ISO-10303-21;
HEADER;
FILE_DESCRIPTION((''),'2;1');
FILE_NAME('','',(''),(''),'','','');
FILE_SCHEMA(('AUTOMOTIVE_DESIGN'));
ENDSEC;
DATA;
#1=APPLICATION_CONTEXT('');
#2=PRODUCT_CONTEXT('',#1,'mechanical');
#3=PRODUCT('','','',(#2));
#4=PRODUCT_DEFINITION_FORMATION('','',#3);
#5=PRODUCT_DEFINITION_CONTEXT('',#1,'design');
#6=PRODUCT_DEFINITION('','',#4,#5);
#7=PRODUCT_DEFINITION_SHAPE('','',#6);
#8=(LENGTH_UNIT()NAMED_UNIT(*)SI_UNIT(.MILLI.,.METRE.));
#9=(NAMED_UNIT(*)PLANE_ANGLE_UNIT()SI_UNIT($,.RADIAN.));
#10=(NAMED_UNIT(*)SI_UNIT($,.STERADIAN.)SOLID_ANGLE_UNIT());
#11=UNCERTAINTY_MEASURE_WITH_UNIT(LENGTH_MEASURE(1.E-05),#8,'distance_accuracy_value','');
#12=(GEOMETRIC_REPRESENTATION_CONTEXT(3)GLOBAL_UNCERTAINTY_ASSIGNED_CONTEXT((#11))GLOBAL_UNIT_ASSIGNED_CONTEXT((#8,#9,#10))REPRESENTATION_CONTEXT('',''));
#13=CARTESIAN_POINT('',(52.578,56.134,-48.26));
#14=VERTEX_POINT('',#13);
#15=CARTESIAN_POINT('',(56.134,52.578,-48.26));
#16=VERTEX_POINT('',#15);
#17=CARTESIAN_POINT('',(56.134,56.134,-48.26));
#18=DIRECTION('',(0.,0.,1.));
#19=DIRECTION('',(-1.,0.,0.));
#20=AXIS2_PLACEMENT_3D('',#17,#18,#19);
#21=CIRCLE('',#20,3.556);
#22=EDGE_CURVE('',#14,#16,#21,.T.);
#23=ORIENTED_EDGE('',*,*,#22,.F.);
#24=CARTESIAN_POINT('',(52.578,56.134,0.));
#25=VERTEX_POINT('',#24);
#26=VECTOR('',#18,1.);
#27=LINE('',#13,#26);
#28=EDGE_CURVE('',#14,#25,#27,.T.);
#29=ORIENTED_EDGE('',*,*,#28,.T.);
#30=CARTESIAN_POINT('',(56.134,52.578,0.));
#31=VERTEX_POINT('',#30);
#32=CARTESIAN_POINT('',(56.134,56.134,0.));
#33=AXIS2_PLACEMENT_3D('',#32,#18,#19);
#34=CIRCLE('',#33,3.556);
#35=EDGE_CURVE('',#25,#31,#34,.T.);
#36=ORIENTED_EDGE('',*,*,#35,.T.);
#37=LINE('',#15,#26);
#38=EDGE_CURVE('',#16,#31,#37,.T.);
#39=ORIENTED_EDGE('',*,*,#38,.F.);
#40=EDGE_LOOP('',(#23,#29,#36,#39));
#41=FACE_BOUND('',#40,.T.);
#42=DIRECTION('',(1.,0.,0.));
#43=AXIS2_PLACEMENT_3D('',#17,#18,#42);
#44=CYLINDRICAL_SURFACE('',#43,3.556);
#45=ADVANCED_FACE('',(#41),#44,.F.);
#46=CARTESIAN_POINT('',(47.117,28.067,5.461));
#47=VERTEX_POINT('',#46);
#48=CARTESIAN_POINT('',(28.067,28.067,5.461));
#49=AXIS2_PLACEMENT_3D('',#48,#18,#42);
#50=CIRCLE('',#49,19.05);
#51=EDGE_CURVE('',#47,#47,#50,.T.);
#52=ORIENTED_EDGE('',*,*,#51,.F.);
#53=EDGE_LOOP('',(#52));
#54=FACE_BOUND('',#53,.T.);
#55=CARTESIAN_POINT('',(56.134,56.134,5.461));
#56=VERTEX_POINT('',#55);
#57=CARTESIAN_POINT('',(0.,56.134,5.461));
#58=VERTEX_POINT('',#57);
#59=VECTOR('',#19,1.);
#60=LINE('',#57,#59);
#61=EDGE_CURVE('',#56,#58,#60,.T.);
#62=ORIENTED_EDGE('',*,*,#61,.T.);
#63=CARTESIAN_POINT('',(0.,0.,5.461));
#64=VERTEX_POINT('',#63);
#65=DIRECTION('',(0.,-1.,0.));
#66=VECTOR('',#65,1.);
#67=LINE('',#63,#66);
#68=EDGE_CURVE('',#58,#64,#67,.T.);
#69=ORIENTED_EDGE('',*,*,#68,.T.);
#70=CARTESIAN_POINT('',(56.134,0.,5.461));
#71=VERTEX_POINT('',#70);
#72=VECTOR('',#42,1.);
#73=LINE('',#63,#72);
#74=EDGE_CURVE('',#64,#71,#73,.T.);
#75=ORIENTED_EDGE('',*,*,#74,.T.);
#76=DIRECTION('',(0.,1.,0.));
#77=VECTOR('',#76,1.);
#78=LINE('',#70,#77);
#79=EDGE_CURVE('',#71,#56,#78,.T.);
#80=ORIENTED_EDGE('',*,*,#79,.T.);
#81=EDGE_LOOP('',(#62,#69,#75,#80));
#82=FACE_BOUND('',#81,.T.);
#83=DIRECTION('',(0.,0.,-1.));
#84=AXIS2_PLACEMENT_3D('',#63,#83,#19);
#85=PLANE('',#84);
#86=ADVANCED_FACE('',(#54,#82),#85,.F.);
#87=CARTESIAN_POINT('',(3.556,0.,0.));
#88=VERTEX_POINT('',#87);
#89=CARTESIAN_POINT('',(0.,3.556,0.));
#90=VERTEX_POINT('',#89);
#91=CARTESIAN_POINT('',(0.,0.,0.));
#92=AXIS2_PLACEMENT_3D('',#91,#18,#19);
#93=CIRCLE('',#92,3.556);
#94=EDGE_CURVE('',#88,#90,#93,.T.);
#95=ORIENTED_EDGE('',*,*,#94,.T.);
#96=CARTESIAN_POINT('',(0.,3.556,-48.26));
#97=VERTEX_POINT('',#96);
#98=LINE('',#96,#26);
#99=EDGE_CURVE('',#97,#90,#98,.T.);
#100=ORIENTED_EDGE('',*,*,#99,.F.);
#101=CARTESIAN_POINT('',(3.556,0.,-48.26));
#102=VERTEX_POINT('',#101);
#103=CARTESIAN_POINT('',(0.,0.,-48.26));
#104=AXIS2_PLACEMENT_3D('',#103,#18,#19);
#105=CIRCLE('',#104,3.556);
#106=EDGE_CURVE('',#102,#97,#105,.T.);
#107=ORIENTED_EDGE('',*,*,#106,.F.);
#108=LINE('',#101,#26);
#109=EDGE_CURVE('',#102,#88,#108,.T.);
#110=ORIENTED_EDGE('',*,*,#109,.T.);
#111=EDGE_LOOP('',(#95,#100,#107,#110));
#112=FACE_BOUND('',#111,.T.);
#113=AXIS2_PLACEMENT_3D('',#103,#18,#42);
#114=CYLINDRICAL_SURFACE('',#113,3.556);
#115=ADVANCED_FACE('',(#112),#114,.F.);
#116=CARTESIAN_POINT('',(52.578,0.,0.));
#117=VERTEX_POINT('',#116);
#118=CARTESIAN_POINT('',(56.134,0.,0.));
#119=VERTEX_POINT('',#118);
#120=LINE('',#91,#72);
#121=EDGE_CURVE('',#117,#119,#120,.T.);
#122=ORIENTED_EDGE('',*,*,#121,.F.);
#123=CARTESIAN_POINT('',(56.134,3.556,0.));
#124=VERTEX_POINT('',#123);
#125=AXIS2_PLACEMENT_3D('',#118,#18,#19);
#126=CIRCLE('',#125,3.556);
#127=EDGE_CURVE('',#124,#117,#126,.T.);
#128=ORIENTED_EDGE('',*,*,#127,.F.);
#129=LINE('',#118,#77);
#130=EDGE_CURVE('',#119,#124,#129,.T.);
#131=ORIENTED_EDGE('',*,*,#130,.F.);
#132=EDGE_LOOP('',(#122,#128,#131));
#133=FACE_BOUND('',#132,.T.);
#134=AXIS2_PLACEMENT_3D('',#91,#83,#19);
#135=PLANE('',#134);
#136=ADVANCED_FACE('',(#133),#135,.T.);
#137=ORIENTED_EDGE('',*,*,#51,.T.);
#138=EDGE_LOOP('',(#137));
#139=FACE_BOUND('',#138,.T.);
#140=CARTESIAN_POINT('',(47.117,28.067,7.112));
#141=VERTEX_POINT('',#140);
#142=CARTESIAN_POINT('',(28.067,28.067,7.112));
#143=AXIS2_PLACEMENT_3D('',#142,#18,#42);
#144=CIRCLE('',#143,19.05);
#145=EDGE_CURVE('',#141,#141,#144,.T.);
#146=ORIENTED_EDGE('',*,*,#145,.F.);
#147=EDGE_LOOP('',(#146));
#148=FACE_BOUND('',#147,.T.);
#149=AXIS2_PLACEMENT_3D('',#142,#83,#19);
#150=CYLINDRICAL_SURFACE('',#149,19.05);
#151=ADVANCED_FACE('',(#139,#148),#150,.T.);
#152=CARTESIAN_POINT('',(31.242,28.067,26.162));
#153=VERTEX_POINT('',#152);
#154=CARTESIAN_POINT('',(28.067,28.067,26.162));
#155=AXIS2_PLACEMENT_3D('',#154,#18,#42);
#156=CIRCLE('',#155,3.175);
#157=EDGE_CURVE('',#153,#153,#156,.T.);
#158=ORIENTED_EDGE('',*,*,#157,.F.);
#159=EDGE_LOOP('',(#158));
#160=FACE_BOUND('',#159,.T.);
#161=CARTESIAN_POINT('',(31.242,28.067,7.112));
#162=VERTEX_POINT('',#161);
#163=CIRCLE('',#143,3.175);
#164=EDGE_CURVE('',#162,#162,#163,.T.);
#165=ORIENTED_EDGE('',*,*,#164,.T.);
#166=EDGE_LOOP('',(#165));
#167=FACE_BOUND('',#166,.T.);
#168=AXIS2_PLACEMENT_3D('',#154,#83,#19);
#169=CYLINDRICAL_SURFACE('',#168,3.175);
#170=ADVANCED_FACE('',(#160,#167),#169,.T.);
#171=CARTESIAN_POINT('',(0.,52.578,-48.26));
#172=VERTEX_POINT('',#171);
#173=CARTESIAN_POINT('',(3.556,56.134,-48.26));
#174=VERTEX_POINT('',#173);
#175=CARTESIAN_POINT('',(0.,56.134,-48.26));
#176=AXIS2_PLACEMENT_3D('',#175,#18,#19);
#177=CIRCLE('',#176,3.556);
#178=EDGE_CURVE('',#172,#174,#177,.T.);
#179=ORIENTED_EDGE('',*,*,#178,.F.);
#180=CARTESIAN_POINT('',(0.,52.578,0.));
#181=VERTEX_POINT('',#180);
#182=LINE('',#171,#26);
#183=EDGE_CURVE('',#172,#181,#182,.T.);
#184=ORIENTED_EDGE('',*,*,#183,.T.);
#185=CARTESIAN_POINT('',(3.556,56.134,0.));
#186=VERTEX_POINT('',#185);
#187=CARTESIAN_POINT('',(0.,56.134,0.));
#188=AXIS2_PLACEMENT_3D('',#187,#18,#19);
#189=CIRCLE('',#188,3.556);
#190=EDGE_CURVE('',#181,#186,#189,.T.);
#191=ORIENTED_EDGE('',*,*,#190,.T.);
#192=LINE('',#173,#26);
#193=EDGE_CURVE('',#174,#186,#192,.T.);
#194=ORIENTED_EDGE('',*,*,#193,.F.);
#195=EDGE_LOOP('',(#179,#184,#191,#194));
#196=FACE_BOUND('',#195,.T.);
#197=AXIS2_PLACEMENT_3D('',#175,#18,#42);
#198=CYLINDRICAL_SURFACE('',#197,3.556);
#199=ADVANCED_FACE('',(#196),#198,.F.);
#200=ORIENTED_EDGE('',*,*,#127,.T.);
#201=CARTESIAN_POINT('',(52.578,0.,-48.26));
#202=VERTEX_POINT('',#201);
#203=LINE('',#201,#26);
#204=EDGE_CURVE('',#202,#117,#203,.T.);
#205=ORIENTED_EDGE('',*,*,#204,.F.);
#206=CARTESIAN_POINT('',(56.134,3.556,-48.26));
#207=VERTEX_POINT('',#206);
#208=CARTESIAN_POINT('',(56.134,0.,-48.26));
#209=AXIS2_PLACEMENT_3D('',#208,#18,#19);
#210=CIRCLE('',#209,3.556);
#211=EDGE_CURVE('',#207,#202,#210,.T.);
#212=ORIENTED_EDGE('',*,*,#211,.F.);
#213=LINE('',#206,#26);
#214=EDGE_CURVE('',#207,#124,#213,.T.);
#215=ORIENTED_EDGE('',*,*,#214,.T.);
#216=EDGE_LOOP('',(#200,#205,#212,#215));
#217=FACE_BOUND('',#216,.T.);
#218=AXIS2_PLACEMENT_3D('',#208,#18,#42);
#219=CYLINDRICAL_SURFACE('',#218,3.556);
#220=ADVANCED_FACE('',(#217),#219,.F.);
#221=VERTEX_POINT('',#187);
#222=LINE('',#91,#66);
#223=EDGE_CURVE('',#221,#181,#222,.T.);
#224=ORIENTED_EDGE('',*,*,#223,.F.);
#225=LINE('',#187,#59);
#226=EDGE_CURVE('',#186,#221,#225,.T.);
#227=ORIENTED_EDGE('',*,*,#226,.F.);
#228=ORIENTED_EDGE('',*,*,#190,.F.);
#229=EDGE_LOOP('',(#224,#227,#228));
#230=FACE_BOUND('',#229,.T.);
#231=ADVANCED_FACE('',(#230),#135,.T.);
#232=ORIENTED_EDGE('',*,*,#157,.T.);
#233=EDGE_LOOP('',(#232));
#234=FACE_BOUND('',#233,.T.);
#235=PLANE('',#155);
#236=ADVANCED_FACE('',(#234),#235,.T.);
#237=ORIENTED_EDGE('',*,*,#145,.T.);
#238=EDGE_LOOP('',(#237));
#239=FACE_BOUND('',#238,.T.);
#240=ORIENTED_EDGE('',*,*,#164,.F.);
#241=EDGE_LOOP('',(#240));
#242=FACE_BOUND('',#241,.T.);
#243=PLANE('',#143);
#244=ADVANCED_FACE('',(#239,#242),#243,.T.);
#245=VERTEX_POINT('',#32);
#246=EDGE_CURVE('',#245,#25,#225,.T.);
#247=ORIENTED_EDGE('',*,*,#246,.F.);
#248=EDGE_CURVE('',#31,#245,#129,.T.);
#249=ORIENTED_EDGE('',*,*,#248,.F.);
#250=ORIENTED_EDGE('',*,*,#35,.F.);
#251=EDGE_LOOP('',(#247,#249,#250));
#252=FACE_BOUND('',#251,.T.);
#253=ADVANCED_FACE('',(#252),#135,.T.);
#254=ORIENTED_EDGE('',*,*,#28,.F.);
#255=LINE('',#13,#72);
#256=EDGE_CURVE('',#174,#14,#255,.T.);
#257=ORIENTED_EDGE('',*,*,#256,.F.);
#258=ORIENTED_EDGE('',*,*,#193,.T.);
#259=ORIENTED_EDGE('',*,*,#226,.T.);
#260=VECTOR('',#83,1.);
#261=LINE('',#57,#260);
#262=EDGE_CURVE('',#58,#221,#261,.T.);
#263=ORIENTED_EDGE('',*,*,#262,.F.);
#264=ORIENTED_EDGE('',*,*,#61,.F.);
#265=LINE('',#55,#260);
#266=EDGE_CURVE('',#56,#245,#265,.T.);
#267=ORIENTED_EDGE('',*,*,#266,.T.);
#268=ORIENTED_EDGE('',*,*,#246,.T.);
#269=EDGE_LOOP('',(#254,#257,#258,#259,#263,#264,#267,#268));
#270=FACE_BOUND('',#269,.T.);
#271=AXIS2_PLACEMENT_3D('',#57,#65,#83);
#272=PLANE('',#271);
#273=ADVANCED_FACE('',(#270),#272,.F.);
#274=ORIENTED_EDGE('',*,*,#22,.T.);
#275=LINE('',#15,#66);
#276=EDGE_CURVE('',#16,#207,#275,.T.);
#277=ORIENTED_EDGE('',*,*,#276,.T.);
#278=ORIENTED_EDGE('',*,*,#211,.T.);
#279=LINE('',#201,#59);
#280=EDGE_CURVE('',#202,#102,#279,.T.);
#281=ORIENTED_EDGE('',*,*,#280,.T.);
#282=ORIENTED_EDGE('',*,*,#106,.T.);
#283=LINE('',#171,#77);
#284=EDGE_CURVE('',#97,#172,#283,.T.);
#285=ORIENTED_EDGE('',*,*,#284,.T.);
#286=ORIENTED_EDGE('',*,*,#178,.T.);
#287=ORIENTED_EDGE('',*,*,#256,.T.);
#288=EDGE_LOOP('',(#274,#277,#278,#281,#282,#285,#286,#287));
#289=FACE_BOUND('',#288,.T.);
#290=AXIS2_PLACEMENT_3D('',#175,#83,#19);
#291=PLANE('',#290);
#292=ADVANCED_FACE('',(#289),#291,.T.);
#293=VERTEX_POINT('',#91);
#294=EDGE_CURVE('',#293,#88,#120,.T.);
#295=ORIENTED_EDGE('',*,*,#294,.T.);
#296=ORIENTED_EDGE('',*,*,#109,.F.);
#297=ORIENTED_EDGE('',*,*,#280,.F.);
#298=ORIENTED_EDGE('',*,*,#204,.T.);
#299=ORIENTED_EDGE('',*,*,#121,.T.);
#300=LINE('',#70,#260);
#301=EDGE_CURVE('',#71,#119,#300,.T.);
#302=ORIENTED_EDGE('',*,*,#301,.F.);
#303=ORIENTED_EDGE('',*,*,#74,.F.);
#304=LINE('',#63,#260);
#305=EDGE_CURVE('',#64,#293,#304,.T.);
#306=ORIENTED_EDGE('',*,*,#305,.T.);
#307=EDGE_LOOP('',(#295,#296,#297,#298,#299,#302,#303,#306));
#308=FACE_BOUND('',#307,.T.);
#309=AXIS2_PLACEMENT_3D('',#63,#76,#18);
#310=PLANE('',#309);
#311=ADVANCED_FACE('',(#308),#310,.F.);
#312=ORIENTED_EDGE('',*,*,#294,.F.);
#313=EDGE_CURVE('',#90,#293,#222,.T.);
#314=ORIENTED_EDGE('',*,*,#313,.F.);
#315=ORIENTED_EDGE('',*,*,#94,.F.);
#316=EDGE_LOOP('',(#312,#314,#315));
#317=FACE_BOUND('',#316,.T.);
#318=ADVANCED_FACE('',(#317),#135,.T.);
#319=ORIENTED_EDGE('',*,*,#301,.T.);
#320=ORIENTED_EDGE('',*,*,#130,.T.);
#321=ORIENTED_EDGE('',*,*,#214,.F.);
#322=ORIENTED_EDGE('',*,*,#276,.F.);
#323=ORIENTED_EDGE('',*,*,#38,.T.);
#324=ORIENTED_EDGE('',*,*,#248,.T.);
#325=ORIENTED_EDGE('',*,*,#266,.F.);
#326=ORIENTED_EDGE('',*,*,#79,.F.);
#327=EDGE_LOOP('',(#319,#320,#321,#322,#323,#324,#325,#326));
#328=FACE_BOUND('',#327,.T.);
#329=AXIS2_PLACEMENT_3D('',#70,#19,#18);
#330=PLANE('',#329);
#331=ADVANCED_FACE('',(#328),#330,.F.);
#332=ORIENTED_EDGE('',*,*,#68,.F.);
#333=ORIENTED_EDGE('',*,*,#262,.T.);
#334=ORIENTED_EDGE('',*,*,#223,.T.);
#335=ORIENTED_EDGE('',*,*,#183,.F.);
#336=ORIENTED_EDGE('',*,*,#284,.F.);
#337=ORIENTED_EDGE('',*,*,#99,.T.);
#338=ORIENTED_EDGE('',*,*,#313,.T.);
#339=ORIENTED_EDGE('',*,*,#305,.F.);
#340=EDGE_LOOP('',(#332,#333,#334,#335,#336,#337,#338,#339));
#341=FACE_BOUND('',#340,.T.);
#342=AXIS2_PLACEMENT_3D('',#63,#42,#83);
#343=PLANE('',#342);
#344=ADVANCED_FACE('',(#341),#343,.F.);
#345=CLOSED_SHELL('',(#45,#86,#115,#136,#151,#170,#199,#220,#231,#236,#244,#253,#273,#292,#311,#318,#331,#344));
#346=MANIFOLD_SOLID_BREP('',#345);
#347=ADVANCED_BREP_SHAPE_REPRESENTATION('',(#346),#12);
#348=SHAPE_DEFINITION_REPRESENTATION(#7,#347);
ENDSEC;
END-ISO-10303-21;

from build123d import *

# Parameters (mm, degrees)
SKETCH2_W           = 56.134
SKETCH2_H           = 56.134
BOSS_EXTRUDE1_DEPTH = 5.461
SKETCH3_R           = 19.05
BOSS_EXTRUDE2_DEPTH = 1.651
BOSS_EXTRUDE3_DEPTH = 48.26
SKETCH5_R           = 3.175
BOSS_EXTRUDE4_DEPTH = 19.05


with BuildPart() as part:
    # Sketch2 → Boss-Extrude1 (new body)
    with BuildSketch(Plane.XY):
        with Locations((28.067, 28.067)):
            Rectangle(SKETCH2_W, SKETCH2_H)
    extrude(amount=BOSS_EXTRUDE1_DEPTH)

    # Sketch3 → Boss-Extrude2 (add)
    with BuildSketch(Plane.XY.offset(5.461)):
        with Locations((28.067, 28.067)):
            Circle(SKETCH3_R)
    extrude(amount=BOSS_EXTRUDE2_DEPTH)

    # Sketch4 → Boss-Extrude3 (add)
    with BuildSketch(Plane(origin=(0, 0, 0), x_dir=(-1, 0, 0), z_dir=(0, 0, -1))):
        with BuildLine():
            Line((-52.578, 56.134), (-3.556, 56.134))
            ThreePointArc((-3.556, 56.134), (-2.514471714, 53.619528286), (0, 52.578))
            Line((0, 52.578), (0, 3.556))
            ThreePointArc((0, 3.556), (-2.514471714, 2.514471714), (-3.556, 0))
            Line((-3.556, 0), (-52.578, 0))
            ThreePointArc((-52.578, 0), (-53.619528286, 2.514471714), (-56.134, 3.556))
            Line((-56.134, 3.556), (-56.134, 52.578))
            ThreePointArc((-56.134, 52.578), (-53.619528286, 53.619528286), (-52.578, 56.134))
        make_face()
    extrude(amount=BOSS_EXTRUDE3_DEPTH)

    # Sketch5 → Boss-Extrude4 (add)
    with BuildSketch(Plane.XY.offset(7.112)):
        with Locations((28.067, 28.067)):
            Circle(SKETCH5_R)
    extrude(amount=BOSS_EXTRUDE4_DEPTH)


solid = part.part
